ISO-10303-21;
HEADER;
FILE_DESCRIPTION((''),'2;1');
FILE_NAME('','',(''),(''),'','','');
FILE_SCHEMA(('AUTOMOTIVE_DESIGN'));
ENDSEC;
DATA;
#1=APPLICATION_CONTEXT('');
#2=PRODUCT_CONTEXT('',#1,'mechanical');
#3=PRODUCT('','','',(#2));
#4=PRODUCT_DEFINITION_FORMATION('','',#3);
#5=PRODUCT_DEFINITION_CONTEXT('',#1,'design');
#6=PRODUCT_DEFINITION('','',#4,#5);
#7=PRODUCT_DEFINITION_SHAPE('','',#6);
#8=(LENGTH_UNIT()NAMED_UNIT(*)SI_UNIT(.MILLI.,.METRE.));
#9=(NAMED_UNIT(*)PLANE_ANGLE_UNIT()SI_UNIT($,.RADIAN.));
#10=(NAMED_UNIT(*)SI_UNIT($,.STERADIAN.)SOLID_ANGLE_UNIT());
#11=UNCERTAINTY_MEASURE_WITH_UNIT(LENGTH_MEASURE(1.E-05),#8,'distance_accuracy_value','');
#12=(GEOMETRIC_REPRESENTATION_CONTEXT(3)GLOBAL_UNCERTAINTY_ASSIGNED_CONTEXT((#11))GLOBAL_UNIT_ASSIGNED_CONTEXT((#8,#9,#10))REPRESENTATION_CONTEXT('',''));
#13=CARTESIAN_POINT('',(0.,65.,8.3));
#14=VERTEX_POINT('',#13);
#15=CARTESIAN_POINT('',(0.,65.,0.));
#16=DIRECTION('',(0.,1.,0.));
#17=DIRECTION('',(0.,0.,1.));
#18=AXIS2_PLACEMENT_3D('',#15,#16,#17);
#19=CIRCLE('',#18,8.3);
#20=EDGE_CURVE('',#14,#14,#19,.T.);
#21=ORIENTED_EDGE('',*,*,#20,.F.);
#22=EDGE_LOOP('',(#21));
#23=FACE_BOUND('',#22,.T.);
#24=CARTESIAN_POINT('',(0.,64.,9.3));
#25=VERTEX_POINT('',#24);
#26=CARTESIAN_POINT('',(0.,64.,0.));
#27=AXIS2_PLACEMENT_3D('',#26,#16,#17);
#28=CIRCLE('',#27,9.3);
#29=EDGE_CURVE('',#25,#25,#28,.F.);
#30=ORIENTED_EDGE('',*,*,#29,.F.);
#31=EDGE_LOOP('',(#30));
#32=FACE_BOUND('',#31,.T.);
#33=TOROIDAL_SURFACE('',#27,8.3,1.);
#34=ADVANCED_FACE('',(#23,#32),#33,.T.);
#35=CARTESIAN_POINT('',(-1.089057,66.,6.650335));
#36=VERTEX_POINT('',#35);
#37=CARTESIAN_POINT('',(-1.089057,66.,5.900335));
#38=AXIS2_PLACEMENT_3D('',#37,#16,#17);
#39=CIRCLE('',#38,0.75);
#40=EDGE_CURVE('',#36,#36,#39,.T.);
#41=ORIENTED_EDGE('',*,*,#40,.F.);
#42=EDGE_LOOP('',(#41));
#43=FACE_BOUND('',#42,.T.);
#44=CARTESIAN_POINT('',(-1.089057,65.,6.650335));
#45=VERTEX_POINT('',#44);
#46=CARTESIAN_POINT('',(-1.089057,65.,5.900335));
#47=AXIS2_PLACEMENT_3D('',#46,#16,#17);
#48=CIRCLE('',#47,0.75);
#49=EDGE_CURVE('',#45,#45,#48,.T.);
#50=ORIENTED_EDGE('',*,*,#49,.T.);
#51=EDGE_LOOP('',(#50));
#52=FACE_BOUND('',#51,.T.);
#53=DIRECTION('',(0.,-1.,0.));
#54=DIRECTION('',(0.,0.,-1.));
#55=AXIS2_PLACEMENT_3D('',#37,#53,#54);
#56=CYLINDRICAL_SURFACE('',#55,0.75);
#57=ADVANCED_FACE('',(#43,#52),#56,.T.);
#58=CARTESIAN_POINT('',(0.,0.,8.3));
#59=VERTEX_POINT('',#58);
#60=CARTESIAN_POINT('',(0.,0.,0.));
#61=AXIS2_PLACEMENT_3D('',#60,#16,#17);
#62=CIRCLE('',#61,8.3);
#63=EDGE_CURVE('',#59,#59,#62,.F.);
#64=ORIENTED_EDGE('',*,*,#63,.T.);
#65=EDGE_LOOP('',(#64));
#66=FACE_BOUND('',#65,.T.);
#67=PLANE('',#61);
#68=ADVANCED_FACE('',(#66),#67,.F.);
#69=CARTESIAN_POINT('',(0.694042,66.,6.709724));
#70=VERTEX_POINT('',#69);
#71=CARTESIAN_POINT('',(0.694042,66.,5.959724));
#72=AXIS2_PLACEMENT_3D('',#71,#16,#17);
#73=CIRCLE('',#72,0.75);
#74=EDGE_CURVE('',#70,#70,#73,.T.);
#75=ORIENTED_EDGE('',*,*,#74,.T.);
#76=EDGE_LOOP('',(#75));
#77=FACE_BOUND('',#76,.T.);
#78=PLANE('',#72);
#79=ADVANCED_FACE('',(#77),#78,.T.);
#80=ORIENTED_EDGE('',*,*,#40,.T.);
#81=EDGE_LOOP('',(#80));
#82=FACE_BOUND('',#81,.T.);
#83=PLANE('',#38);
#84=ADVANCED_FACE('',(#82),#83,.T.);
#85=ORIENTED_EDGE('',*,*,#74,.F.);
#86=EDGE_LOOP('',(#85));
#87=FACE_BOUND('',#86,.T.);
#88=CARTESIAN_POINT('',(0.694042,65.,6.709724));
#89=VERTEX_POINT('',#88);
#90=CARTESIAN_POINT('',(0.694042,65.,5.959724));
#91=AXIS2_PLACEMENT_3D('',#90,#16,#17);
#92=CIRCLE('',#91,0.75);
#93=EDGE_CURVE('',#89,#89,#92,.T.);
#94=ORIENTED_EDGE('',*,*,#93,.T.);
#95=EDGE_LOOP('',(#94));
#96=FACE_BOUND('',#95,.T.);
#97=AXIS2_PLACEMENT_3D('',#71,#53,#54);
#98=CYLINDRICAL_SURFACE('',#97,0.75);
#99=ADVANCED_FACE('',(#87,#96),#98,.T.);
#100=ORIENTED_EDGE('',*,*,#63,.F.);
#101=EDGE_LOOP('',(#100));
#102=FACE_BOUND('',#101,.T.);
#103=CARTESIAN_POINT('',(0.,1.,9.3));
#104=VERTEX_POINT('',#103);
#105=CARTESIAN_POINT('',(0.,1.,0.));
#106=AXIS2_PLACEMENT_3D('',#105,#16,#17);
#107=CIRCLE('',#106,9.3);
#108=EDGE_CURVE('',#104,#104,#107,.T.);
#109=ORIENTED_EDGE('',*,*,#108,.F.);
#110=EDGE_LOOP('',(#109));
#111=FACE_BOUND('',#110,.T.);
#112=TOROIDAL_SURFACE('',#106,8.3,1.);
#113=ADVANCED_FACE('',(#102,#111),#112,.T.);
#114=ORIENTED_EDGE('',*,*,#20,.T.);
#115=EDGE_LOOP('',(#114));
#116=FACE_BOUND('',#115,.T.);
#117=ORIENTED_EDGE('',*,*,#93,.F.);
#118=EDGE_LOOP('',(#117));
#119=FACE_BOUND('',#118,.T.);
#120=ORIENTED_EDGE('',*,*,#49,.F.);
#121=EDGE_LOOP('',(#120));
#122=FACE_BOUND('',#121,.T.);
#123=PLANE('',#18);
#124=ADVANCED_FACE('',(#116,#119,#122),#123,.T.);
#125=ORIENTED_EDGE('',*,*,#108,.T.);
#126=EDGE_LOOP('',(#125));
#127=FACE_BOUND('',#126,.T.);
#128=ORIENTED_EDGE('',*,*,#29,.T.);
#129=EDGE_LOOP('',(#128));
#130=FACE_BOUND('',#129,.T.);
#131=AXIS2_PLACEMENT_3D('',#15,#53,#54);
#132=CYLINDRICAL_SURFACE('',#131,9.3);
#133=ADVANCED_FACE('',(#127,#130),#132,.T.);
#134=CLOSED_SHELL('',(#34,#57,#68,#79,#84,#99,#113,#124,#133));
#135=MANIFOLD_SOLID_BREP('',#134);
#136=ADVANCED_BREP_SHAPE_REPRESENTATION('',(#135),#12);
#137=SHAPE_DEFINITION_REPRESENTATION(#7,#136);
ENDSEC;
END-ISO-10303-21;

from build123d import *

# Parameters (mm, degrees)
SKETCH1_R           = 9.3
BOSS_EXTRUDE1_DEPTH = 65
FILLET1_R           = 1
SKETCH2_R           = 0.75
BOSS_EXTRUDE2_DEPTH = 1


with BuildPart() as part:
    # Sketch1 → Boss-Extrude1 (new body)
    with BuildSketch(Plane(origin=(0, 0, 0), x_dir=(1, 0, 0), z_dir=(0, 1, 0))):
        Circle(SKETCH1_R)
    extrude(amount=BOSS_EXTRUDE1_DEPTH)

    # Fillet1
    fillet1_edges = [part.edges().sort_by_distance(p)[0] for p in [
        (-9.3, 0, 0),
        (-9.3, 65, 0),
    ]]
    fillet(fillet1_edges, radius=FILLET1_R)

    # Sketch2 → Boss-Extrude2 (add)
    with BuildSketch(Plane(origin=(0, 65, 0), x_dir=(1, 0, 0), z_dir=(0, 1, 0))):
        with Locations((-1.089057168, -5.900335116)):
            Circle(SKETCH2_R)
        with Locations((0.694041569, -5.959723676)):
            Circle(SKETCH2_R)
    extrude(amount=BOSS_EXTRUDE2_DEPTH)


solid = part.part
